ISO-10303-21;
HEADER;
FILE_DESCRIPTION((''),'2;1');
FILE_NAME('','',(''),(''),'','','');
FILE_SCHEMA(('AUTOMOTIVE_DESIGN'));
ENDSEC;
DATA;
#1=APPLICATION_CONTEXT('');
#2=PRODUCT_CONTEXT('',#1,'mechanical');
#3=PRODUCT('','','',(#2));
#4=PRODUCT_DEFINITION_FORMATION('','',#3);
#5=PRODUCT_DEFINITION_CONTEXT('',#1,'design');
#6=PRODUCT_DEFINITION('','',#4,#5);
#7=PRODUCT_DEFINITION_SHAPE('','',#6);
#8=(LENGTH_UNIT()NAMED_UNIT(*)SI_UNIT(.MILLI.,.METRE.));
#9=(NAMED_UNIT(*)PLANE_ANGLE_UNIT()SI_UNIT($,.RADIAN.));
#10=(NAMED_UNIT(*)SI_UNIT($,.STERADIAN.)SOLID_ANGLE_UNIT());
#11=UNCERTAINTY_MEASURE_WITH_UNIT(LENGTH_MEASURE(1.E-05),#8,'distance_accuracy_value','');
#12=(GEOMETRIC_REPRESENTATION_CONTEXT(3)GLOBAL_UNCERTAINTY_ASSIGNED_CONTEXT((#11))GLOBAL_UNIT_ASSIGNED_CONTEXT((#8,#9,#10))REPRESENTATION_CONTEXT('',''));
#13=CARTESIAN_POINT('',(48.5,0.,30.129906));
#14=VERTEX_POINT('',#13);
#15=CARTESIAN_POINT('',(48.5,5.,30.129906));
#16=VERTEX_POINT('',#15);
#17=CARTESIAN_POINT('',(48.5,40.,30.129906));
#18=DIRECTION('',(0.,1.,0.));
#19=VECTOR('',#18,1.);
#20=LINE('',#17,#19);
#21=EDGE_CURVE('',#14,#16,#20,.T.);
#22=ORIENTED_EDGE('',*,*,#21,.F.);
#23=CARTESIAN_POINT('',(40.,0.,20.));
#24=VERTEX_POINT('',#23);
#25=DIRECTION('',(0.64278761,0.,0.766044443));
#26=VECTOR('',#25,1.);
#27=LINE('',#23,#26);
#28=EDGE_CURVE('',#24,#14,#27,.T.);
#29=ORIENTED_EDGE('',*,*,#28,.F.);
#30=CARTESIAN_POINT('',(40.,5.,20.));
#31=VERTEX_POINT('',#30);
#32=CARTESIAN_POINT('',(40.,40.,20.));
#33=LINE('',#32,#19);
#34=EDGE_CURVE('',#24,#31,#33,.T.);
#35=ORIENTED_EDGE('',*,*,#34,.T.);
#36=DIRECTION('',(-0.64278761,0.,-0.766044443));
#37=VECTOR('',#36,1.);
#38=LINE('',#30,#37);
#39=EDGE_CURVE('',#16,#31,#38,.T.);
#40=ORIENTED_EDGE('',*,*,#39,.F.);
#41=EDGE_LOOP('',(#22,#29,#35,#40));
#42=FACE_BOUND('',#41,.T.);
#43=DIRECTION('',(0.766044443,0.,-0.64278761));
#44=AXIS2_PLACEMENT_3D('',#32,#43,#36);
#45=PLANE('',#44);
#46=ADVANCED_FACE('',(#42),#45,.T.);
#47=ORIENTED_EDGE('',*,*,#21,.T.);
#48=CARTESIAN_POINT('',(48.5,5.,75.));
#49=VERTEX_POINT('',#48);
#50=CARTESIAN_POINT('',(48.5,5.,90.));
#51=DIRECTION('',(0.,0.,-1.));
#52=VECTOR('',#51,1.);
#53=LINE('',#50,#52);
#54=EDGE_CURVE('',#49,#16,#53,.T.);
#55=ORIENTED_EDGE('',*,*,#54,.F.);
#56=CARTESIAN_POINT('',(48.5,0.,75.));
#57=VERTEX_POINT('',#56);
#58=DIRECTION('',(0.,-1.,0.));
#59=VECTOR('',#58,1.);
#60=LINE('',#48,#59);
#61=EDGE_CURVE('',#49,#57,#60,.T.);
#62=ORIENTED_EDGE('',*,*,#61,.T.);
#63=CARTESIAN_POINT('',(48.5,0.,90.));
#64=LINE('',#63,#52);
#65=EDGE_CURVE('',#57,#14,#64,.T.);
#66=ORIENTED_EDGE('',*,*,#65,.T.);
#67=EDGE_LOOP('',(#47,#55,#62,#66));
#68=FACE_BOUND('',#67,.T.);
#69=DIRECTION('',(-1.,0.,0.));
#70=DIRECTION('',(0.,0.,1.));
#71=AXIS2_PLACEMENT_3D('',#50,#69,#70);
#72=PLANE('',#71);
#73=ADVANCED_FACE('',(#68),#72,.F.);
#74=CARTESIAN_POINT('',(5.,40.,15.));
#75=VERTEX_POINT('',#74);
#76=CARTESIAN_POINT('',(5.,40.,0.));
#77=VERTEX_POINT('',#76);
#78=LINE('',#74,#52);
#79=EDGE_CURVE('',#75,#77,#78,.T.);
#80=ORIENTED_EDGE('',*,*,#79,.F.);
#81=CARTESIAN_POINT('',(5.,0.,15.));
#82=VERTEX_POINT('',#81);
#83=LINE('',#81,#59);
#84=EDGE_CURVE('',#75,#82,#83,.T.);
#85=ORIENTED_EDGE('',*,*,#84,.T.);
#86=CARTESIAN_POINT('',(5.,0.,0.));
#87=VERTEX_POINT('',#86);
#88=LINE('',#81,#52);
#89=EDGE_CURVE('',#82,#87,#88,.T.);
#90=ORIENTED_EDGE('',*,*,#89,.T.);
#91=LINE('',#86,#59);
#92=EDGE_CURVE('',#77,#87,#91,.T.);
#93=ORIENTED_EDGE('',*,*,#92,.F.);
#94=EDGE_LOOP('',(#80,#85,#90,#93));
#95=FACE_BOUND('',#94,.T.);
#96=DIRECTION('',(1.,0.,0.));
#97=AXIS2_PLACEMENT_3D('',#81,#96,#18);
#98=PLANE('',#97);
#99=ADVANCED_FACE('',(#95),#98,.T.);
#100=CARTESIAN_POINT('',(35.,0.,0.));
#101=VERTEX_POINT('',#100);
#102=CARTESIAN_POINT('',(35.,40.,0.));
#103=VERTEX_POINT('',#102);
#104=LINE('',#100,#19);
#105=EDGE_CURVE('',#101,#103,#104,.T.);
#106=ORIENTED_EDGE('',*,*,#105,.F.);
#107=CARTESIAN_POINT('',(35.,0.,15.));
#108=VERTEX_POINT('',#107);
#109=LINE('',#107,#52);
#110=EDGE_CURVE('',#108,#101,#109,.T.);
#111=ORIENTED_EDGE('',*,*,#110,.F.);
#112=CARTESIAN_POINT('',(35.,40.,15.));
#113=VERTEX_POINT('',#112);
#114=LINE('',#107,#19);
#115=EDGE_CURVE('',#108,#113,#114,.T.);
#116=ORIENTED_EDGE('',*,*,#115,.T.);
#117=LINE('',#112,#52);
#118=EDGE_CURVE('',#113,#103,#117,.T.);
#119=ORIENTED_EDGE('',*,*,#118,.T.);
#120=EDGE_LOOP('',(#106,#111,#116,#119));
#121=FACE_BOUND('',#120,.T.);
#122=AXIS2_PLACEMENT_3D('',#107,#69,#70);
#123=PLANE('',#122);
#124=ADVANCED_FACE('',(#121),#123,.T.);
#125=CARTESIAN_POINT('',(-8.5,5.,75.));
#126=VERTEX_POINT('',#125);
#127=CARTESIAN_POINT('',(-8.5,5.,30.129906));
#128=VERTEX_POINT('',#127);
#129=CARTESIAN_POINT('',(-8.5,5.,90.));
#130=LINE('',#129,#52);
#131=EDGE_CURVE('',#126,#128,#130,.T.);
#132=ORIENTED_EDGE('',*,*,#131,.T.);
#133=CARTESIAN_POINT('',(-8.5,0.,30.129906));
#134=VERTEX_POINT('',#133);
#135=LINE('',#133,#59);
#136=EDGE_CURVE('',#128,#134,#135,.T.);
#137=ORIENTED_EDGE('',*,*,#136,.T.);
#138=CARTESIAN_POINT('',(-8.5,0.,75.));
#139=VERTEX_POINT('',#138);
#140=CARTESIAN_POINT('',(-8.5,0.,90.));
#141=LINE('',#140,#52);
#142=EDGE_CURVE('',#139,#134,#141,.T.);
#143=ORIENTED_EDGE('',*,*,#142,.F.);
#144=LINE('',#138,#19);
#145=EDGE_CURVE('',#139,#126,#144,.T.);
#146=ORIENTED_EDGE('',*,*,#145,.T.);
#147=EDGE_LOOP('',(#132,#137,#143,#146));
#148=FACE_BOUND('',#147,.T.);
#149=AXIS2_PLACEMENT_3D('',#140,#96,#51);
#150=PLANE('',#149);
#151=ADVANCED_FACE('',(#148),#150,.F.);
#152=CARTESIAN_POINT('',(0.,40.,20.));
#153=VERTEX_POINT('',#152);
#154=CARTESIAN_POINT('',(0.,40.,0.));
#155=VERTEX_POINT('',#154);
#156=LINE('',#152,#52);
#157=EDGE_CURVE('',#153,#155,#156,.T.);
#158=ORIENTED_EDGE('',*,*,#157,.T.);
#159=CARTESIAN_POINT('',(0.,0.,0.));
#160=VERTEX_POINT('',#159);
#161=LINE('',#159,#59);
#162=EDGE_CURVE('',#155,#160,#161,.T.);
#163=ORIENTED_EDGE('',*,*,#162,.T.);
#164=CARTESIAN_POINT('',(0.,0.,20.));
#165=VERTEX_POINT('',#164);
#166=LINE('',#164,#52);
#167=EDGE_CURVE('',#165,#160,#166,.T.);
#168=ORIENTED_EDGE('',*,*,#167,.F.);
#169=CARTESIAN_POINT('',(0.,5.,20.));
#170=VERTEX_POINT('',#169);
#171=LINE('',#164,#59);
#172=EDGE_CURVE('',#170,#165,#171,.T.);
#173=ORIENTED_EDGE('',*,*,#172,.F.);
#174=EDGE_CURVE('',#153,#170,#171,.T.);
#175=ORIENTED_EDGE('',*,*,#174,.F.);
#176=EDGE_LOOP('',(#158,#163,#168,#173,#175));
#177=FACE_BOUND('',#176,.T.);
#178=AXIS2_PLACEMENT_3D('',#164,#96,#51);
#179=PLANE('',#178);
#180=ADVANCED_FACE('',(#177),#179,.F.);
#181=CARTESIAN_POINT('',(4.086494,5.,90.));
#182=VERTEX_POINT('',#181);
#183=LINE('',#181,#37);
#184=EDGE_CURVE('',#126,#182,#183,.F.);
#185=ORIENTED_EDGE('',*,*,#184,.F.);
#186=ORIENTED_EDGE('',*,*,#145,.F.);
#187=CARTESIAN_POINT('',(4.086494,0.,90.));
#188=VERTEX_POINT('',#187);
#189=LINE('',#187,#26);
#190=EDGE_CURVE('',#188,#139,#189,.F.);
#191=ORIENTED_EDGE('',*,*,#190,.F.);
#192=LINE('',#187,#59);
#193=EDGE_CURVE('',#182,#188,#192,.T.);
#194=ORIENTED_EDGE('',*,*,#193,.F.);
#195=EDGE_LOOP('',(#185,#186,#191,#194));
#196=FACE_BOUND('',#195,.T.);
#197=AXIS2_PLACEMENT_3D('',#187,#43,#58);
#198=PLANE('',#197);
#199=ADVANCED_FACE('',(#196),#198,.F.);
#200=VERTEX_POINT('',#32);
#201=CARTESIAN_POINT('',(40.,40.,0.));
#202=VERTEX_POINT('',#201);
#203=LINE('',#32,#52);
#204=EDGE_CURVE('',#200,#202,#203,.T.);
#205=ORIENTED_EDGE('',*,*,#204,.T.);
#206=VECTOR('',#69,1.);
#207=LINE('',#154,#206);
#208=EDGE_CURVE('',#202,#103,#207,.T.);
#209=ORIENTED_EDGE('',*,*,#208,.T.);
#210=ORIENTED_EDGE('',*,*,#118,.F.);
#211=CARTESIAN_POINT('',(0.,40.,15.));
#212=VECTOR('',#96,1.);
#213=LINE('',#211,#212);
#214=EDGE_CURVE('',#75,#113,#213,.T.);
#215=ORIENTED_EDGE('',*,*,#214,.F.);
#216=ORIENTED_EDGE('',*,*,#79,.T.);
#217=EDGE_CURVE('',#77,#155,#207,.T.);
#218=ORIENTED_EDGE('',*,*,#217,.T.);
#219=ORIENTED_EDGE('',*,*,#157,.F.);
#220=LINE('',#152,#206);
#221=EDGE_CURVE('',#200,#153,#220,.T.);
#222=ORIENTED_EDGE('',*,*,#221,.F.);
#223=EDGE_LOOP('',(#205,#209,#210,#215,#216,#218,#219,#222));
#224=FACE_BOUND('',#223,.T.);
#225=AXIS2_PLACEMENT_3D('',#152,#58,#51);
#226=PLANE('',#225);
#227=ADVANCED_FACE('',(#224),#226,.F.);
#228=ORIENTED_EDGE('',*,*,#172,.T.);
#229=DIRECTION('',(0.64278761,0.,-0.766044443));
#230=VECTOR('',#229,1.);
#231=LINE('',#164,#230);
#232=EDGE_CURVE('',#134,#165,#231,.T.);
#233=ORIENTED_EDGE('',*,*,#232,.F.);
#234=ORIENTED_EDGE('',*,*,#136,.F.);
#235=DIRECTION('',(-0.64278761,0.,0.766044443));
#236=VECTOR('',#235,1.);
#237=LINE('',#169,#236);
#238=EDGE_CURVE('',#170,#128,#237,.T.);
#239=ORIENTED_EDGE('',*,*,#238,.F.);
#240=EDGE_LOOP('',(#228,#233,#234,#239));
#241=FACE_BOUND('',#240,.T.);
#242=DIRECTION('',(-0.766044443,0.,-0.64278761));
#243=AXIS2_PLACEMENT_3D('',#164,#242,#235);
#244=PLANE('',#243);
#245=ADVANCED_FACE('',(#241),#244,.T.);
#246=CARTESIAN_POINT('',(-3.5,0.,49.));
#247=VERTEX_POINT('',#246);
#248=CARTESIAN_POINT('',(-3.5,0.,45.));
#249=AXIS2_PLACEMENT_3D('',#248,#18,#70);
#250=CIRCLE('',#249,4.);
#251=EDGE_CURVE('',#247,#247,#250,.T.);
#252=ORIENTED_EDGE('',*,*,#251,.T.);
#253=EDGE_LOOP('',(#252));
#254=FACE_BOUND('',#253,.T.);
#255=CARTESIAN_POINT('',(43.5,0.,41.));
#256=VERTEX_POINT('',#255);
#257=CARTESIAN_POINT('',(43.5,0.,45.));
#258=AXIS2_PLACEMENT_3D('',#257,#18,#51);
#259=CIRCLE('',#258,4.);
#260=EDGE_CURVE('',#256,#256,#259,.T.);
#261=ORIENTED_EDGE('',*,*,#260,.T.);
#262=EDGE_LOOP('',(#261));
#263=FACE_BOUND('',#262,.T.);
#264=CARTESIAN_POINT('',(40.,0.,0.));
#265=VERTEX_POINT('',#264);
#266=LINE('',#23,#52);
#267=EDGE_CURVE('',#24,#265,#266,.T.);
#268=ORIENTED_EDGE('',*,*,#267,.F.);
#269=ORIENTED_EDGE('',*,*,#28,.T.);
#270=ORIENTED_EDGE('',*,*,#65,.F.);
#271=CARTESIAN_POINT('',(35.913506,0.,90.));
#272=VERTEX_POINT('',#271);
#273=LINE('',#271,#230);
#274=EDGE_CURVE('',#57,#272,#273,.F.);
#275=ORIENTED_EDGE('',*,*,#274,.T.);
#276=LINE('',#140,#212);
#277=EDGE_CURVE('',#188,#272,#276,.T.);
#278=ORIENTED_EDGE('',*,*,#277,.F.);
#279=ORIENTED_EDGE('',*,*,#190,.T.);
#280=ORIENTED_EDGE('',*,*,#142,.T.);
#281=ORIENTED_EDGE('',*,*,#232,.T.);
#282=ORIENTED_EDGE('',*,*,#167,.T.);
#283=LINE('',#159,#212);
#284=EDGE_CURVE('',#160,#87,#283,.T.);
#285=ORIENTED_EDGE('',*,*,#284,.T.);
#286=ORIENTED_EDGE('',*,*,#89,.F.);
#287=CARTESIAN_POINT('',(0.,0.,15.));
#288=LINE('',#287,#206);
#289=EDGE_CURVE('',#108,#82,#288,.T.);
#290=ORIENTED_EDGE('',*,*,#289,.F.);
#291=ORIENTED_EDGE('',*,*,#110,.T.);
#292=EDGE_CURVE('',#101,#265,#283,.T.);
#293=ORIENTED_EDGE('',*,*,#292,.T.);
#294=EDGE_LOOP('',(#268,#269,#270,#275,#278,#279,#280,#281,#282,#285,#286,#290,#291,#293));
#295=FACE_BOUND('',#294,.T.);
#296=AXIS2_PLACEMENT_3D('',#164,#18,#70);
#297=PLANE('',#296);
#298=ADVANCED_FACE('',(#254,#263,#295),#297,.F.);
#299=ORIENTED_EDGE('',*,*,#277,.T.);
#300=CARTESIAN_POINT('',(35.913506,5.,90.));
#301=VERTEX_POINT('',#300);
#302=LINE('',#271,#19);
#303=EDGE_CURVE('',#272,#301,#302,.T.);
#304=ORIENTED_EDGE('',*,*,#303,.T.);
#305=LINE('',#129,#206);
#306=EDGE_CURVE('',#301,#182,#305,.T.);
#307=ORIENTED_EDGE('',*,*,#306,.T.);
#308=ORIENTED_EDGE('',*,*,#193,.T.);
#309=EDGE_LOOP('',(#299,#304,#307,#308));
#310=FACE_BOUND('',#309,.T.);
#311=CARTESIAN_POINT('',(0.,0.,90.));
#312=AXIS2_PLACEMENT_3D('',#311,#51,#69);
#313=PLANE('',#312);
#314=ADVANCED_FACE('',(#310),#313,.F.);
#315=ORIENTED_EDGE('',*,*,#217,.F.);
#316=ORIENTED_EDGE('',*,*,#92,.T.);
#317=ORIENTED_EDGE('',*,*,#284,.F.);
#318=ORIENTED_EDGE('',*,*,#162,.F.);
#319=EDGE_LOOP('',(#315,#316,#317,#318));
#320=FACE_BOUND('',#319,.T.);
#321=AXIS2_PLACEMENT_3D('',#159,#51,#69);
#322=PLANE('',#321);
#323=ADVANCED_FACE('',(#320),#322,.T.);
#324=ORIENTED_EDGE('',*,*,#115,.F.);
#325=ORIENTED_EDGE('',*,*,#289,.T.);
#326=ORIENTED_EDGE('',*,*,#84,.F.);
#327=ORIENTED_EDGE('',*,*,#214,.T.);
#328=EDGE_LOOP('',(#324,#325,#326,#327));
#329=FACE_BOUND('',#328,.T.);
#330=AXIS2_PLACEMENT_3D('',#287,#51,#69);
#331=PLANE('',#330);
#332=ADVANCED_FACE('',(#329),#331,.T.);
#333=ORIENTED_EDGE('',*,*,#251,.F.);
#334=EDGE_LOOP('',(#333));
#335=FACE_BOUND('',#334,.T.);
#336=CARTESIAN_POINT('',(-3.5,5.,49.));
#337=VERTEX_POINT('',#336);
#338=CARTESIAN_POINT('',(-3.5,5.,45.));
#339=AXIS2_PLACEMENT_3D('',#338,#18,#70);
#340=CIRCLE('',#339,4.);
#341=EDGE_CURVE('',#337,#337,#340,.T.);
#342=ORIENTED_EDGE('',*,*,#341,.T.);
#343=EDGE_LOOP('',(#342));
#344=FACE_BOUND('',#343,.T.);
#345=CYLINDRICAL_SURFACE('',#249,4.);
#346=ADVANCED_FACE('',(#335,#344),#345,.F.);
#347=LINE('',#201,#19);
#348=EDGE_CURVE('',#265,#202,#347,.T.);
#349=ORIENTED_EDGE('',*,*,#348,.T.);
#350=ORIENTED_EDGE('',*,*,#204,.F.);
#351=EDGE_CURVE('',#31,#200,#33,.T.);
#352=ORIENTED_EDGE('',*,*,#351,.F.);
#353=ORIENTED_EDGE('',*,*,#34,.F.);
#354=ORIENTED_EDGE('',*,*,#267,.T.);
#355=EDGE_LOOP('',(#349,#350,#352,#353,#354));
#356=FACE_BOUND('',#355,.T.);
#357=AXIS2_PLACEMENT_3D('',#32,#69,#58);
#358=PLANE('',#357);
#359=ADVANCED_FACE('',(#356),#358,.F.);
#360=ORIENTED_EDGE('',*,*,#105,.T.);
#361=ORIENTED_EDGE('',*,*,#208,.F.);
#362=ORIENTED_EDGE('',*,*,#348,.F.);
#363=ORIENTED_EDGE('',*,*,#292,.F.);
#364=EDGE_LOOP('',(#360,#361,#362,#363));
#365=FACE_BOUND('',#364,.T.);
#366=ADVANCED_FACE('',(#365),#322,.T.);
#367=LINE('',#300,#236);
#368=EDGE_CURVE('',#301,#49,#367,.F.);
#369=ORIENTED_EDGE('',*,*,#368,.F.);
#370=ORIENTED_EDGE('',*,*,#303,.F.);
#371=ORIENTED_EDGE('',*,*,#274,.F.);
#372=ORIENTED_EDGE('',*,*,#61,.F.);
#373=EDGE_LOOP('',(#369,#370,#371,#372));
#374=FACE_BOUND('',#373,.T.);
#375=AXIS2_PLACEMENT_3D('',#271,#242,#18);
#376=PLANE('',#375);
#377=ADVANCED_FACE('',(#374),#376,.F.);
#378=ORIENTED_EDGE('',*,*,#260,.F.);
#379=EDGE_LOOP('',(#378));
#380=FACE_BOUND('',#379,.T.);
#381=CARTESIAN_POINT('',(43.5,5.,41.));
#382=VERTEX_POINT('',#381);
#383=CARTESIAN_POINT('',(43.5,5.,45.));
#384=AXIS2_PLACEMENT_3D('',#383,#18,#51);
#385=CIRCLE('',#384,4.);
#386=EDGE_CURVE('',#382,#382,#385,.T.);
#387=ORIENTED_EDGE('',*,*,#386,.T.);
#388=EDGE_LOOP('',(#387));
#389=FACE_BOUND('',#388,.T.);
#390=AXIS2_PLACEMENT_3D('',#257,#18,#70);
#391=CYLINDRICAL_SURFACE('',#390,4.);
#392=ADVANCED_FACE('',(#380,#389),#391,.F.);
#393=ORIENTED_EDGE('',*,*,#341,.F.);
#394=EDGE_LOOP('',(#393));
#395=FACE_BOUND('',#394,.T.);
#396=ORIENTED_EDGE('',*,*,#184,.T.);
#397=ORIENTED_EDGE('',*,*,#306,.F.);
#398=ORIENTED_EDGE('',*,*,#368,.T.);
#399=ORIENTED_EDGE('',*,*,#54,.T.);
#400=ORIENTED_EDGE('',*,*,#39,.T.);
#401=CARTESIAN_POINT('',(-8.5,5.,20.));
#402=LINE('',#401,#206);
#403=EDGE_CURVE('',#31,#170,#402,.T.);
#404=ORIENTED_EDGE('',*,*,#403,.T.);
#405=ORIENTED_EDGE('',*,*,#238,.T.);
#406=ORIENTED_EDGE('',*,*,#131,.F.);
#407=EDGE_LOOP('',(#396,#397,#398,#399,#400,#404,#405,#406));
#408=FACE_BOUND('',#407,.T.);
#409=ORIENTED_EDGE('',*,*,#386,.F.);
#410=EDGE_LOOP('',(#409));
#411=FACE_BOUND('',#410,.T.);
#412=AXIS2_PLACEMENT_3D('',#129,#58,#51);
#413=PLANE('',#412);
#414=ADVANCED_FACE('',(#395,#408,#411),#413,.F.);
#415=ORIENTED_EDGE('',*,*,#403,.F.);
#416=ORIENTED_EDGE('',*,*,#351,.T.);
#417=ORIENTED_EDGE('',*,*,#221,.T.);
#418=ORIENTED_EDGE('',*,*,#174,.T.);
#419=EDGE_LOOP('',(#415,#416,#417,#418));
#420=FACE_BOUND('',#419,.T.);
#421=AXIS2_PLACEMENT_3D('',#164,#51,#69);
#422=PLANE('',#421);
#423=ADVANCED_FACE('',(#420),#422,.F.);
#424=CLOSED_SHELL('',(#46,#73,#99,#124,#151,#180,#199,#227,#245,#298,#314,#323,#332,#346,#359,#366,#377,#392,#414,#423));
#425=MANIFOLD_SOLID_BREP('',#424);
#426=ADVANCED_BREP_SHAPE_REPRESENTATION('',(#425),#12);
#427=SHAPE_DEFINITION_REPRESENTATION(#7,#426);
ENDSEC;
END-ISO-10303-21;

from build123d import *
from OCP.BRepFilletAPI import BRepFilletAPI_MakeChamfer

# Parameters (mm, degrees)
SKETCH1_W           = 40
SKETCH1_H           = 40
BOSS_EXTRUDE1_DEPTH = 20
SKETCH2_W           = 30
SKETCH2_H           = 40
CUT_EXTRUDE1_DEPTH  = 15
SKETCH3_W           = 57
SKETCH3_H           = 5
BOSS_EXTRUDE2_DEPTH = 70
DRAFT1_ANGLE        = 50
DRAFT2_ANGLE        = 50
CHAMFER1_SIZE       = 15
CHAMFER1_SIZE2      = 12.586494468
SKETCH6_R           = 4
CUT_EXTRUDE3_DEPTH  = 109.061325182


with BuildPart() as part:
    # Sketch1 → Boss-Extrude1 (new body)
    with BuildSketch(Plane.XY):
        with Locations((20, 20)):
            Rectangle(SKETCH1_W, SKETCH1_H)
    extrude(amount=BOSS_EXTRUDE1_DEPTH)

    # Sketch2 → Cut-Extrude1 (cut)
    with BuildSketch(Plane(origin=(0, 0, 0), x_dir=(-1, 0, 0), z_dir=(0, 0, -1))):
        with Locations((-20, 20)):
            Rectangle(SKETCH2_W, SKETCH2_H)
    extrude(amount=-CUT_EXTRUDE1_DEPTH, mode=Mode.SUBTRACT)

    # Sketch3 → Boss-Extrude2 (add)
    with BuildSketch(Plane.XY.offset(20)):
        with Locations((20, 2.5)):
            Rectangle(SKETCH3_W, SKETCH3_H)
    extrude(amount=BOSS_EXTRUDE2_DEPTH)

    # Draft1
    draft1_faces = [part.faces().sort_by_distance(p)[0] for p in [
        (-4.25, 2.5, 20),
    ]]
    draft(draft1_faces, Plane(origin=(0, 0, 20), x_dir=(0, 0, -1), z_dir=(-1, 0, 0)), DRAFT1_ANGLE)

    # Draft2
    draft2_faces = [part.faces().sort_by_distance(p)[0] for p in [
        (44.25, 2.5, 20),
    ]]
    draft(draft2_faces, Plane(origin=(40, 40, 20), x_dir=(0, 1, 0), z_dir=(1, 0, 0)), DRAFT2_ANGLE)

    # Chamfer1: one chamfer whose edges measure the first distance from different faces: ONE call of the kernel's chamfer builder (chamfer() names one face for all edges)
    chamfer1_edges_1 = [part.edges().sort_by_distance(p)[0] for p in [
        (-8.5, 2.5, 90),
    ]]
    chamfer1_side_1 = [part.faces().sort_by_distance(p)[0] for p in [
        (-8.5, 2.5, 60.064952769),
    ]]
    chamfer1_edges_2 = [part.edges().sort_by_distance(p)[0] for p in [
        (48.5, 2.5, 90),
    ]]
    chamfer1_side_2 = [part.faces().sort_by_distance(p)[0] for p in [
        (48.5, 2.5, 60.064952769),
    ]]
    chamfer1 = BRepFilletAPI_MakeChamfer(part.part.solid().wrapped)
    for e in chamfer1_edges_1:
        chamfer1.Add(CHAMFER1_SIZE, CHAMFER1_SIZE2, e.wrapped, chamfer1_side_1[0].wrapped)  # the first distance lies on this face
    for e in chamfer1_edges_2:
        chamfer1.Add(CHAMFER1_SIZE, CHAMFER1_SIZE2, e.wrapped, chamfer1_side_2[0].wrapped)  # the first distance lies on this face
    add(Compound.cast(chamfer1.Shape()), mode=Mode.REPLACE)

    # Sketch6 → Cut-Extrude3 (cut, through all)
    with BuildSketch(Plane(origin=(0, 5, 0), x_dir=(1, 0, 0), z_dir=(0, 1, 0))):
        with Locations(Location((-3.5, -45, 0), (0, 0, 270))):
            Circle(SKETCH6_R)
        with Locations(Location((43.5, -45, 0), (0, 0, 90))):
            Circle(SKETCH6_R)
    extrude(amount=-CUT_EXTRUDE3_DEPTH, mode=Mode.SUBTRACT)


solid = part.part
